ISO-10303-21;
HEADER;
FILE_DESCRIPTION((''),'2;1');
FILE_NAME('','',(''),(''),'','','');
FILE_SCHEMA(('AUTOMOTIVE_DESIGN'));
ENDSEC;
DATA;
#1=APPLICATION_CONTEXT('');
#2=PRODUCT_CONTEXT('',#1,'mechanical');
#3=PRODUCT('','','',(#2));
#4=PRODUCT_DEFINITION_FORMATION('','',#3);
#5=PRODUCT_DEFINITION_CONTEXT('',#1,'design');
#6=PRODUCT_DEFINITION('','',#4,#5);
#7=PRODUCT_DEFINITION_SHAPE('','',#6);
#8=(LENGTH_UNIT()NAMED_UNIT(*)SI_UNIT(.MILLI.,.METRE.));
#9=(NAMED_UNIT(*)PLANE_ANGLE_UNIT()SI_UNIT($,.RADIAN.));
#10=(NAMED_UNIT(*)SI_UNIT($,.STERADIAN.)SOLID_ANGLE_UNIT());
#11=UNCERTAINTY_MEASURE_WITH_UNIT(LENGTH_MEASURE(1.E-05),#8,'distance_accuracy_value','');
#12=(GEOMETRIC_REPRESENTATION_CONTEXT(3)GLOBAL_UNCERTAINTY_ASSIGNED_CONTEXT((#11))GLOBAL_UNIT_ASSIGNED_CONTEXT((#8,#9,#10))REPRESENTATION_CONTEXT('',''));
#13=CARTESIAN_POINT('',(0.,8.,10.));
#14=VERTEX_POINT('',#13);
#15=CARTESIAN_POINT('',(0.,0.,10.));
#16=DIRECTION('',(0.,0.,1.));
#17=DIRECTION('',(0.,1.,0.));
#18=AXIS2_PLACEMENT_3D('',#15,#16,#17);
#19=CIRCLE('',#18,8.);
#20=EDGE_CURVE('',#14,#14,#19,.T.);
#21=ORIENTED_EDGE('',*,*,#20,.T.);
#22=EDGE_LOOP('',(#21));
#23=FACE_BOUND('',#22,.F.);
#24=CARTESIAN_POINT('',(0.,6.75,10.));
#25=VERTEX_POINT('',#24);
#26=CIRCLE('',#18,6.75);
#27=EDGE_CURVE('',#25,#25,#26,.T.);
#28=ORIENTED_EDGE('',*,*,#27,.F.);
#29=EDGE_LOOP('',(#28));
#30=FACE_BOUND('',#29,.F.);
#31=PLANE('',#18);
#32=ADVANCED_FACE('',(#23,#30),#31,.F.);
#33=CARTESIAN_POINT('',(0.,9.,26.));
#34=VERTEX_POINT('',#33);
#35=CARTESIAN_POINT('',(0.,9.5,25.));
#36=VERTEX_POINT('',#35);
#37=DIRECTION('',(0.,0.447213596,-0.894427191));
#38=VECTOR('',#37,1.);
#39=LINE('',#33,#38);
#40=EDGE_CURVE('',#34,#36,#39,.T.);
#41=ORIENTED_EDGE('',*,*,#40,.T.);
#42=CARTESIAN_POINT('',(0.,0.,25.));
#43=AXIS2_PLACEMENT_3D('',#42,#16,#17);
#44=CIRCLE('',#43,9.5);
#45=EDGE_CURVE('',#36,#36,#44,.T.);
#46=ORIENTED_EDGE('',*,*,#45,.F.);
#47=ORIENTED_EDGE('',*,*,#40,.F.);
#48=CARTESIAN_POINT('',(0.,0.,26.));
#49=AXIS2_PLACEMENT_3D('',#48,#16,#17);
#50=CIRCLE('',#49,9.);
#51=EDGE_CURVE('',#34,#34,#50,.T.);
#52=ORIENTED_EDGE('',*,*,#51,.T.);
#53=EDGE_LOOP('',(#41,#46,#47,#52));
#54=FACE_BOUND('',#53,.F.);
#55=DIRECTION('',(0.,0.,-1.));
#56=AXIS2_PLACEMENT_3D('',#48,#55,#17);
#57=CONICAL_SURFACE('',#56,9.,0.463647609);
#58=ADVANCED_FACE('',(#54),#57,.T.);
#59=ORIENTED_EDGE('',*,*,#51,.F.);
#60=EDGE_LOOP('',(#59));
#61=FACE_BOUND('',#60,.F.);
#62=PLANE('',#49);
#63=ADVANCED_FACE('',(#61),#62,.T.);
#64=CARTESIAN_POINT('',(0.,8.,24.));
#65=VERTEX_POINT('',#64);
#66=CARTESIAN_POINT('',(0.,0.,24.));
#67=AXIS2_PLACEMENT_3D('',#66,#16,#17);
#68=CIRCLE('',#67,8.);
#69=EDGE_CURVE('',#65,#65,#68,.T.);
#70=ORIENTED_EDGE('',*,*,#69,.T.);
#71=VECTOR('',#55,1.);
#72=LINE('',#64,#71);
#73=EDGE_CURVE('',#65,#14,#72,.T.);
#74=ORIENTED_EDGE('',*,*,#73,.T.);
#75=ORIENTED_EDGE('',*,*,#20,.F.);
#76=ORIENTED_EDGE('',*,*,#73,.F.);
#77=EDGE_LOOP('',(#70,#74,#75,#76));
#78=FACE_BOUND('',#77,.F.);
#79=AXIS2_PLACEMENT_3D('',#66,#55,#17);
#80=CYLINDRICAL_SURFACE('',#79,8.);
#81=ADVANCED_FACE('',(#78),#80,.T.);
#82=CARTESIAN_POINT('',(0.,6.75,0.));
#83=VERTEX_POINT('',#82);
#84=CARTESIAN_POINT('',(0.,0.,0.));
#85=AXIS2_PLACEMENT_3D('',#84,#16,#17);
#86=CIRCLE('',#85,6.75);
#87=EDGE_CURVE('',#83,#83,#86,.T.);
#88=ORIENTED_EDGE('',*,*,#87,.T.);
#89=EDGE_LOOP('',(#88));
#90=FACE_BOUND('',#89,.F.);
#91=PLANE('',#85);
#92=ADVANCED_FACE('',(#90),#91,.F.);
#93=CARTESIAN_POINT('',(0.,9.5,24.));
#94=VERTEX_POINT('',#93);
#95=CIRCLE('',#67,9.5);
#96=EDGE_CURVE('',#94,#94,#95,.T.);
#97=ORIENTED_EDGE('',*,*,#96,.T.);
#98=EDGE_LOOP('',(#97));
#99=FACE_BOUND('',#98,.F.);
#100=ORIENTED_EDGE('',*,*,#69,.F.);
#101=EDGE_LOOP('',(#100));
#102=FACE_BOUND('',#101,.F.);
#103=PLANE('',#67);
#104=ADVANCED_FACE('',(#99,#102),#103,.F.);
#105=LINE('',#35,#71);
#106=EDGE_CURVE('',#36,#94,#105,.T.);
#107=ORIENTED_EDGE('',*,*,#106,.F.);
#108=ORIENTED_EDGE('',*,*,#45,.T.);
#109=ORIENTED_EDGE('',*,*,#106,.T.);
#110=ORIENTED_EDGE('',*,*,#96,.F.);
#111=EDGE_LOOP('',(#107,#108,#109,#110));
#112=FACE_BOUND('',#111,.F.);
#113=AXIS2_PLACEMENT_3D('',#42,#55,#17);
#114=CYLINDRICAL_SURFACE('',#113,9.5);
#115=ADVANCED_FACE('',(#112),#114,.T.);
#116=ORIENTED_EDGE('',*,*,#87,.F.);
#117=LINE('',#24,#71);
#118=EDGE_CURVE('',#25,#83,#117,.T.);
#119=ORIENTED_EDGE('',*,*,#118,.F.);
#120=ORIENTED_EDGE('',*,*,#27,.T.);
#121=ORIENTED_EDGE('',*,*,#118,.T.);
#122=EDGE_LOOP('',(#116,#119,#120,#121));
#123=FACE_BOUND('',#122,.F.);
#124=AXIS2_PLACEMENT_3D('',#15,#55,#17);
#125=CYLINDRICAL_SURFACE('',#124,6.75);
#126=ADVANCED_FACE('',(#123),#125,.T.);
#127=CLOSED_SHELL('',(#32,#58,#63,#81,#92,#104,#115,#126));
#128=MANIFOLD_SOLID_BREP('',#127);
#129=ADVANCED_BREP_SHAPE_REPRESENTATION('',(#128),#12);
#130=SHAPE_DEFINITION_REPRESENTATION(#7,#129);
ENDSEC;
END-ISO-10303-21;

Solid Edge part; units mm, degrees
sketch "Sketch1" plane through (0, 0, 0) normal (1, 0, 0) x (0, 1, 0)
  line L0 (9.5, 25) -> (9.5, 24)
  line L1 (9.5, 24) -> (8, 24)
  line L2 (8, 24) -> (8, 10)
  line L3 (8, 10) -> (6.75, 10)
  line L4 (6.75, 10) -> (6.75, 0)
  line L5 (6.75, 0) -> (0, 0)
  line L6 (0, 26) -> (9, 26)
  line L7 (9, 26) -> (9.5, 25)
  dimension "D1" = 26
  dimension "D2" = 14
  dimension "D3" = 1
  dimension "D4" = 1
revolve "RevolvedProtrusion1" add sketch "Sketch1" angle 360 about axis through (0, 0, 0) along (0, 0, 1)
properties material "Stainless steel"
